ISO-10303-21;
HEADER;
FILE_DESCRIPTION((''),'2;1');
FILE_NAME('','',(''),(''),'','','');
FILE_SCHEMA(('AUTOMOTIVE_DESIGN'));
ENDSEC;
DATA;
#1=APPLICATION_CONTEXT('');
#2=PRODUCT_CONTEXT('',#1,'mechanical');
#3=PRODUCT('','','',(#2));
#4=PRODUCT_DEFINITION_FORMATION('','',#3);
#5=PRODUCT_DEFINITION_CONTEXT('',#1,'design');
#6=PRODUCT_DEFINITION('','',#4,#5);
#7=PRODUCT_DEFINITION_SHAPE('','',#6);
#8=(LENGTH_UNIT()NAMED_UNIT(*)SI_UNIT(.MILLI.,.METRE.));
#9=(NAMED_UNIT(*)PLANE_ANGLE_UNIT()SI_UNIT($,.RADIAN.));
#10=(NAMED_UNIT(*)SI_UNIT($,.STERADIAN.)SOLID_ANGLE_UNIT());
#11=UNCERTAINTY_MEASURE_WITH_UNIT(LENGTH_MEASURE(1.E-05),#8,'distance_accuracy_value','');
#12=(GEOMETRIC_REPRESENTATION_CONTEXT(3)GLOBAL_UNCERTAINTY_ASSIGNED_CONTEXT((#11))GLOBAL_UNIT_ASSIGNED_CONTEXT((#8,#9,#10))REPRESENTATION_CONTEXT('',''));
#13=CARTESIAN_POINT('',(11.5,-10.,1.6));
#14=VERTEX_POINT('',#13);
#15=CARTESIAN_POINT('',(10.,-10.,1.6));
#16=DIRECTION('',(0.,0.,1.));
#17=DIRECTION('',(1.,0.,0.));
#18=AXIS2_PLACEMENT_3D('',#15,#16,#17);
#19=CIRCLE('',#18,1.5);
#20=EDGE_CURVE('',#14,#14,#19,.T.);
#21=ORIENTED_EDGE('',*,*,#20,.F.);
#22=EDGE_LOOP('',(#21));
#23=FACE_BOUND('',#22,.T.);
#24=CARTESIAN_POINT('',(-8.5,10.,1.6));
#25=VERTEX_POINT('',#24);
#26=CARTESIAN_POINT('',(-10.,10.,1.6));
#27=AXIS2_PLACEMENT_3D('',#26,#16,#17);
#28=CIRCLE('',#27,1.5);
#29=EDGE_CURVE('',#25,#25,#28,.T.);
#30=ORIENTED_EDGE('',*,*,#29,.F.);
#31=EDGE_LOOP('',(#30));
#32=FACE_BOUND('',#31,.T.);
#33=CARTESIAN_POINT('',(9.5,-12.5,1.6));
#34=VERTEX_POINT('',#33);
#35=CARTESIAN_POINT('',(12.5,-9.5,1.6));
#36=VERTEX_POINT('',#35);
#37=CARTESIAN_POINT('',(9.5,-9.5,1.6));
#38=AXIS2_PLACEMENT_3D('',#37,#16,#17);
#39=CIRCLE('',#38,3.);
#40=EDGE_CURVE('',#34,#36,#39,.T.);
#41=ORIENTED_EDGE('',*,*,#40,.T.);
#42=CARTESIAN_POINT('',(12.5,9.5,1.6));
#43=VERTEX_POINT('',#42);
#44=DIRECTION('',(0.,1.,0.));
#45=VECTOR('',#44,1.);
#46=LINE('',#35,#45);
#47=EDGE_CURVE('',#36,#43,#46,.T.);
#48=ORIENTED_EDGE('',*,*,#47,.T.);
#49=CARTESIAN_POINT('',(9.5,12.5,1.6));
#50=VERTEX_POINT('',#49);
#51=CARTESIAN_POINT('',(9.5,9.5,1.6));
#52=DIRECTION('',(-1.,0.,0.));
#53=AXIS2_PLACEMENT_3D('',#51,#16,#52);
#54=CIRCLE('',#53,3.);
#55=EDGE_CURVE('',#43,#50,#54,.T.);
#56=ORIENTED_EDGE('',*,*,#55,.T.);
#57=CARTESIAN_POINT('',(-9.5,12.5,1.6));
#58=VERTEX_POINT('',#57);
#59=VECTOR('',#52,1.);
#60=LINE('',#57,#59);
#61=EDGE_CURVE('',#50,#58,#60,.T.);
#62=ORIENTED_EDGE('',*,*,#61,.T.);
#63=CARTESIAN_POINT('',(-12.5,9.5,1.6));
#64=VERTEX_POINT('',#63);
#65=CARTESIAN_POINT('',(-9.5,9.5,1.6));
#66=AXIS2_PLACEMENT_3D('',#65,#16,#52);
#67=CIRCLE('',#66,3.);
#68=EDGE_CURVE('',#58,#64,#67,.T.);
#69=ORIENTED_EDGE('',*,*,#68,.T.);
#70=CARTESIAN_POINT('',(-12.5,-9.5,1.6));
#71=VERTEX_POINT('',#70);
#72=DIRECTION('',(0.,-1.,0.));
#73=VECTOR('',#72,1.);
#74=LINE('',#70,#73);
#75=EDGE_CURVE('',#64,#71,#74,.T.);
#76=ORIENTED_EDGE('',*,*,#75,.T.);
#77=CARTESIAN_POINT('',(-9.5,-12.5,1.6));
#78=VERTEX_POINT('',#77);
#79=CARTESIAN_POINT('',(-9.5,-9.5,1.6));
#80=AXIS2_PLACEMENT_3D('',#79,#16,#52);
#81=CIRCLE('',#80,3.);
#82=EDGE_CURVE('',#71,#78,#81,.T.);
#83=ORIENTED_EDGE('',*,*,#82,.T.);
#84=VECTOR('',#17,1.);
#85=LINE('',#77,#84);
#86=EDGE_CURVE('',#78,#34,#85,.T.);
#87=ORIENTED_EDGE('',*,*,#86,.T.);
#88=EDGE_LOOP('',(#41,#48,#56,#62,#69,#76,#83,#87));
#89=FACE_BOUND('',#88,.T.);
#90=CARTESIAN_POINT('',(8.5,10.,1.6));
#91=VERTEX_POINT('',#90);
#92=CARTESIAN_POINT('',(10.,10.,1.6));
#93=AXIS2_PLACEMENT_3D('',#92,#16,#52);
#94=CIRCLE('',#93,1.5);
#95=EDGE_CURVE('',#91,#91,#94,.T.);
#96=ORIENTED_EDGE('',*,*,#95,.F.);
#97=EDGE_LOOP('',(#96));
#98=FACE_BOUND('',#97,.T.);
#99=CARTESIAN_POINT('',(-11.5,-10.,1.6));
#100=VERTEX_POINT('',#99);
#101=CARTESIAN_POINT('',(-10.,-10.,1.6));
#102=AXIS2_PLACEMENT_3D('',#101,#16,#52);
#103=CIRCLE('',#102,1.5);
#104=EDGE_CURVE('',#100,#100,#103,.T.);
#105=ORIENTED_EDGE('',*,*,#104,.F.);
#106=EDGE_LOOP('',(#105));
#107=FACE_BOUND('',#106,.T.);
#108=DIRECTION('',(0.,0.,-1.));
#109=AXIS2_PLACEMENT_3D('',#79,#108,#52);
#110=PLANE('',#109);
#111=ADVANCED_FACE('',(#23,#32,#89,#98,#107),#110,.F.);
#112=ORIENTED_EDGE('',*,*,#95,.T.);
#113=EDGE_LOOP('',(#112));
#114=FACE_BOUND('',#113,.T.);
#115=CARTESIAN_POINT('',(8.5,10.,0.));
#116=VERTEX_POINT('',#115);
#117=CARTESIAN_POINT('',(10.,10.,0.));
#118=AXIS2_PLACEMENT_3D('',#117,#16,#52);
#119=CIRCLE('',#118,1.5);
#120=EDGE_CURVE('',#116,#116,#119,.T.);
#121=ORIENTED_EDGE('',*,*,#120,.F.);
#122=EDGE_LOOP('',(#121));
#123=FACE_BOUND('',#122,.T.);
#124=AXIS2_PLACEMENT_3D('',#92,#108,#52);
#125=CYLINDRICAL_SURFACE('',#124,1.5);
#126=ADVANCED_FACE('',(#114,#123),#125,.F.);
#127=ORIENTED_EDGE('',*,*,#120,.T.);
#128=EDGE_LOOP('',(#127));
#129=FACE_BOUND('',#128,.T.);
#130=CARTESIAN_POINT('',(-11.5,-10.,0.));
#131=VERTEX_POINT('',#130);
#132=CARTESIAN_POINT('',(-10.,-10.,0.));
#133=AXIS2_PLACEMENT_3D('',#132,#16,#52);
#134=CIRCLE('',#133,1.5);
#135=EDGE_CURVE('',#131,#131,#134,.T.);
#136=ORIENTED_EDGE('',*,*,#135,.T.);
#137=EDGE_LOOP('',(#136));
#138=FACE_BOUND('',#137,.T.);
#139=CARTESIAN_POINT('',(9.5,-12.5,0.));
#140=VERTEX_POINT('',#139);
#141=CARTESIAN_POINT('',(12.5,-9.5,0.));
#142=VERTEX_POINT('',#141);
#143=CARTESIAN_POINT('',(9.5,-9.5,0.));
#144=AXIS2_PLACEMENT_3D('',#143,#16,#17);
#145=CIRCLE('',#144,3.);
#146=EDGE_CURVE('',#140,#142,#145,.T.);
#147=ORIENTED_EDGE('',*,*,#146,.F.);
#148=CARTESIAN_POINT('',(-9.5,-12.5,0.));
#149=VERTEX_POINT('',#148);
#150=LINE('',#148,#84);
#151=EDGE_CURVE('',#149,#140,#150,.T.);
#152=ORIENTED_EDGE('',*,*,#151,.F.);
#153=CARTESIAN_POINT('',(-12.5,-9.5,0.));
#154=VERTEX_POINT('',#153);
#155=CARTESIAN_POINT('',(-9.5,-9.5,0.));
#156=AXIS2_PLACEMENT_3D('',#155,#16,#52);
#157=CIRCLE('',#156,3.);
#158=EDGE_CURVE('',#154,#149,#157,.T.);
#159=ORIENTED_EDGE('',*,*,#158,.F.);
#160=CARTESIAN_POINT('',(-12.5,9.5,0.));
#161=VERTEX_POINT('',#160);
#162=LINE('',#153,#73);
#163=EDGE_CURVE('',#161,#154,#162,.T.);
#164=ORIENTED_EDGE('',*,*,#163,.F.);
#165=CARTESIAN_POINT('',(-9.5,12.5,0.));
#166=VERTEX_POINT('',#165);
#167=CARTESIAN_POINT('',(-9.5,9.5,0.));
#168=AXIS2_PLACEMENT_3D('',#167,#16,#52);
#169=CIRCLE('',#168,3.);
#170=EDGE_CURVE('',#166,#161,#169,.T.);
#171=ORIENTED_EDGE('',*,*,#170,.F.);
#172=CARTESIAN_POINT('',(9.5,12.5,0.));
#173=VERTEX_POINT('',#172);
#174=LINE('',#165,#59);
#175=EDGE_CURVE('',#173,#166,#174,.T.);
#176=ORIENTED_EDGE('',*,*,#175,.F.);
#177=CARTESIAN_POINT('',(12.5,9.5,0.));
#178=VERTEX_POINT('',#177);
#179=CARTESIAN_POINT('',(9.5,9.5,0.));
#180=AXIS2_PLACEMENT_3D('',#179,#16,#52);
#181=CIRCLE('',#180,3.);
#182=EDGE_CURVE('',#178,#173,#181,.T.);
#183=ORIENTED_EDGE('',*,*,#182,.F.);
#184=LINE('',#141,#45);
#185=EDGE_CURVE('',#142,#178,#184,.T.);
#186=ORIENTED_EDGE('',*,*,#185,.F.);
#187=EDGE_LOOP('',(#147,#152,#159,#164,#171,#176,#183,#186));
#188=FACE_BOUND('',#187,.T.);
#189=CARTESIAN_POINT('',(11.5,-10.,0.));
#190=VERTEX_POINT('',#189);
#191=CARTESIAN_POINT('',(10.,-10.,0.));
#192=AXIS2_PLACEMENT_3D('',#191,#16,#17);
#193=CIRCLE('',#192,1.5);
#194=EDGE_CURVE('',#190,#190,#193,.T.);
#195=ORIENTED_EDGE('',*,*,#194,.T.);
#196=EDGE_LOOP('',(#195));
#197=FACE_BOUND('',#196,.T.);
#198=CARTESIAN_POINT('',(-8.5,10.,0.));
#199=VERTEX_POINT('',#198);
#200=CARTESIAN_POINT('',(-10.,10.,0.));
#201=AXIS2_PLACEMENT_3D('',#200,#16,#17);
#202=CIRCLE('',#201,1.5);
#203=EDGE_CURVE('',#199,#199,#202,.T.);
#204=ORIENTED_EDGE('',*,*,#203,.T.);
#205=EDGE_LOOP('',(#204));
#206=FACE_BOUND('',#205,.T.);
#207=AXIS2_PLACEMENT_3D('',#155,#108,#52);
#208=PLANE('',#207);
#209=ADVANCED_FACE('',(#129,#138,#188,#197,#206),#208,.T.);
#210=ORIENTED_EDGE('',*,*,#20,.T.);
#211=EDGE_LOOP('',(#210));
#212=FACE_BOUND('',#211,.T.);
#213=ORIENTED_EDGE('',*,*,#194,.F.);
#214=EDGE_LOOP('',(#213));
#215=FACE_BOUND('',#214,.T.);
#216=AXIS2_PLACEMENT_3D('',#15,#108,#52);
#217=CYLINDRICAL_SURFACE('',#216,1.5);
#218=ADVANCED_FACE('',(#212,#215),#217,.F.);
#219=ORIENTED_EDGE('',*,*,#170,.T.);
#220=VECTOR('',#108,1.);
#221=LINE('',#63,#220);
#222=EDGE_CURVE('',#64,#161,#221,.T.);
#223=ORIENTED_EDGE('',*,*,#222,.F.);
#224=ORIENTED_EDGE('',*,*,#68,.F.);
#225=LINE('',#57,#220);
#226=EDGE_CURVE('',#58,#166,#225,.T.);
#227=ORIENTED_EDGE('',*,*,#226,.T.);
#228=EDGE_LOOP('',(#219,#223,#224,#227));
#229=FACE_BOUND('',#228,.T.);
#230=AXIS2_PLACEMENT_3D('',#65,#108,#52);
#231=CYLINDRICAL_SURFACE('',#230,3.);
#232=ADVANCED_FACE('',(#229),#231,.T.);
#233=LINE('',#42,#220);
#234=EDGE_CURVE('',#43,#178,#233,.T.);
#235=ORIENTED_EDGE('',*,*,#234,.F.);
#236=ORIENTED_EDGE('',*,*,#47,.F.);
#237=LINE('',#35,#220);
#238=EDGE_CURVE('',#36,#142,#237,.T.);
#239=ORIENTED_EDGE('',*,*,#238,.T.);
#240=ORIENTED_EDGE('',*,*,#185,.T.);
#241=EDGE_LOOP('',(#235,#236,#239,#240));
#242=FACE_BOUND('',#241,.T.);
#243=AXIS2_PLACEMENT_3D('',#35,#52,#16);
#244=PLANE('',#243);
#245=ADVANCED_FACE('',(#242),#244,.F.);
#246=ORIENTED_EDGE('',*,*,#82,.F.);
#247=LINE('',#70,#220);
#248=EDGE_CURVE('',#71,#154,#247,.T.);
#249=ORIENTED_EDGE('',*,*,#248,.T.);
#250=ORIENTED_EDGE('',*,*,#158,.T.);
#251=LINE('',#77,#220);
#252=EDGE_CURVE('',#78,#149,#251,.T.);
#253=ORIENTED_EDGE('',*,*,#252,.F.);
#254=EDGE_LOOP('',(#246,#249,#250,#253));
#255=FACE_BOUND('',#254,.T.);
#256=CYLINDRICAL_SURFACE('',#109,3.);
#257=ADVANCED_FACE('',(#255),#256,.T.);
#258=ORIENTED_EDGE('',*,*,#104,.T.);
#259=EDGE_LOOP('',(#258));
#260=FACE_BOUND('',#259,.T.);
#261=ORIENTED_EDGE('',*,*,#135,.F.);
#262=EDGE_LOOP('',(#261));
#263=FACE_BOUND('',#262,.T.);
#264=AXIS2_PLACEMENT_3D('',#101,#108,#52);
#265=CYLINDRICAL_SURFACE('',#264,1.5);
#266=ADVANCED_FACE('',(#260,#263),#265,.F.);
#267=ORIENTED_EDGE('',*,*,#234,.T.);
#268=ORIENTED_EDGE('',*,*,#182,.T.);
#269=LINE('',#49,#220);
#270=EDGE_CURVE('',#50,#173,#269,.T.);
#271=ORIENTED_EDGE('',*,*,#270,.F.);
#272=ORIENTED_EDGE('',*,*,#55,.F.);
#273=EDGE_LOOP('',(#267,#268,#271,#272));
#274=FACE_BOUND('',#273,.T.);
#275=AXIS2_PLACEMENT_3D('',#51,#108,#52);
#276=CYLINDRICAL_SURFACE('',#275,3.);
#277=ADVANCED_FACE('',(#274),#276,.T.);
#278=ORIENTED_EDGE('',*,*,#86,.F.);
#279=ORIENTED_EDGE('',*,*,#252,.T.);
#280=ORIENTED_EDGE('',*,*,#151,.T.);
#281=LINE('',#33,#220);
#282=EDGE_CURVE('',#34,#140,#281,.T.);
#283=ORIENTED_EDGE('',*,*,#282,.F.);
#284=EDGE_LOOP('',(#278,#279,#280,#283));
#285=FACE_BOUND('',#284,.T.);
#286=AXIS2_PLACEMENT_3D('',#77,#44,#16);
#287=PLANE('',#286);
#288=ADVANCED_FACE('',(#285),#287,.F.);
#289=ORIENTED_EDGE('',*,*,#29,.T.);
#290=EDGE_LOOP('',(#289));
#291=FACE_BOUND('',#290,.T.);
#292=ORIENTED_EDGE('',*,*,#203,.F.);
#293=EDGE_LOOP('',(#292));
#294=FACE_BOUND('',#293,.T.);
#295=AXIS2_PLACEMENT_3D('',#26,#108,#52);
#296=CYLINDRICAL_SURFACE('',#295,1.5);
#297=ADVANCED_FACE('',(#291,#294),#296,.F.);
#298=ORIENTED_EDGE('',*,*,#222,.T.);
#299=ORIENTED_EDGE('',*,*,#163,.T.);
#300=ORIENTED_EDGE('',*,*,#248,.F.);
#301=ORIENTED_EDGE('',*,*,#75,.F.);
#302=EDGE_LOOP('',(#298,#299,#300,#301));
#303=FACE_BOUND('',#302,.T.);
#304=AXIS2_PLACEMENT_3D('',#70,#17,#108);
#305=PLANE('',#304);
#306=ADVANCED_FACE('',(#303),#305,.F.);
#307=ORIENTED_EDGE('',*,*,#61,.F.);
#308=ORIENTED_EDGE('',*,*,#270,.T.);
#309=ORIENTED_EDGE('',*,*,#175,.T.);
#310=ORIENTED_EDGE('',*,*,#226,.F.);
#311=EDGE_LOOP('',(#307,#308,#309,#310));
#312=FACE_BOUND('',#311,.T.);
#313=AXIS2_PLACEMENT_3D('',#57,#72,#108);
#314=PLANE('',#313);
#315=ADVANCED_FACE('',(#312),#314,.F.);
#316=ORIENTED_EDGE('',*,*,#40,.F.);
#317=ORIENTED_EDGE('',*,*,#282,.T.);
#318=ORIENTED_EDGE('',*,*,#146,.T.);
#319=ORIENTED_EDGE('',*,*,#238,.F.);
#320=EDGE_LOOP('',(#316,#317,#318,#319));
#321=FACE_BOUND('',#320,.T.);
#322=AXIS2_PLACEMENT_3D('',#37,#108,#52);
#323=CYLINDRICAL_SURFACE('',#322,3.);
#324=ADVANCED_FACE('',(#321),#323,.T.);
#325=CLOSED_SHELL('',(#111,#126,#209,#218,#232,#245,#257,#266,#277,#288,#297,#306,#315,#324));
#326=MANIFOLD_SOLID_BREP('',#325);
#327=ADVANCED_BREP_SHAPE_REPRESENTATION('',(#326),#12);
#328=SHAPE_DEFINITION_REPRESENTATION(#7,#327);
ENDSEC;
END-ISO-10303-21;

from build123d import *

# Parameters (mm, degrees)
SKETCH1_R           = 1.5
BOSS_EXTRUDE1_DEPTH = 1.6


with BuildPart() as part:
    # Sketch1 → Boss-Extrude1 (new body)
    with BuildSketch(Plane.XY):
        with BuildLine():
            Line((-9.5, -12.5), (9.5, -12.5))
            ThreePointArc((9.5, -12.5), (11.621320344, -11.621320344), (12.5, -9.5))
            Line((12.5, -9.5), (12.5, 9.5))
            ThreePointArc((12.5, 9.5), (11.621320344, 11.621320344), (9.5, 12.5))
            Line((9.5, 12.5), (-9.5, 12.5))
            ThreePointArc((-9.5, 12.5), (-11.621320344, 11.621320344), (-12.5, 9.5))
            Line((-12.5, 9.5), (-12.5, -9.5))
            ThreePointArc((-12.5, -9.5), (-11.621320344, -11.621320344), (-9.5, -12.5))
        make_face()
        with Locations((-10, 10)):
            Circle(SKETCH1_R, mode=Mode.SUBTRACT)
        with Locations(Location((10, 10, 0), (0, 0, 180))):
            Circle(SKETCH1_R, mode=Mode.SUBTRACT)
        with Locations((10, -10)):
            Circle(SKETCH1_R, mode=Mode.SUBTRACT)
        with Locations(Location((-10, -10, 0), (0, 0, 180))):
            Circle(SKETCH1_R, mode=Mode.SUBTRACT)
    extrude(amount=BOSS_EXTRUDE1_DEPTH)


solid = part.part
